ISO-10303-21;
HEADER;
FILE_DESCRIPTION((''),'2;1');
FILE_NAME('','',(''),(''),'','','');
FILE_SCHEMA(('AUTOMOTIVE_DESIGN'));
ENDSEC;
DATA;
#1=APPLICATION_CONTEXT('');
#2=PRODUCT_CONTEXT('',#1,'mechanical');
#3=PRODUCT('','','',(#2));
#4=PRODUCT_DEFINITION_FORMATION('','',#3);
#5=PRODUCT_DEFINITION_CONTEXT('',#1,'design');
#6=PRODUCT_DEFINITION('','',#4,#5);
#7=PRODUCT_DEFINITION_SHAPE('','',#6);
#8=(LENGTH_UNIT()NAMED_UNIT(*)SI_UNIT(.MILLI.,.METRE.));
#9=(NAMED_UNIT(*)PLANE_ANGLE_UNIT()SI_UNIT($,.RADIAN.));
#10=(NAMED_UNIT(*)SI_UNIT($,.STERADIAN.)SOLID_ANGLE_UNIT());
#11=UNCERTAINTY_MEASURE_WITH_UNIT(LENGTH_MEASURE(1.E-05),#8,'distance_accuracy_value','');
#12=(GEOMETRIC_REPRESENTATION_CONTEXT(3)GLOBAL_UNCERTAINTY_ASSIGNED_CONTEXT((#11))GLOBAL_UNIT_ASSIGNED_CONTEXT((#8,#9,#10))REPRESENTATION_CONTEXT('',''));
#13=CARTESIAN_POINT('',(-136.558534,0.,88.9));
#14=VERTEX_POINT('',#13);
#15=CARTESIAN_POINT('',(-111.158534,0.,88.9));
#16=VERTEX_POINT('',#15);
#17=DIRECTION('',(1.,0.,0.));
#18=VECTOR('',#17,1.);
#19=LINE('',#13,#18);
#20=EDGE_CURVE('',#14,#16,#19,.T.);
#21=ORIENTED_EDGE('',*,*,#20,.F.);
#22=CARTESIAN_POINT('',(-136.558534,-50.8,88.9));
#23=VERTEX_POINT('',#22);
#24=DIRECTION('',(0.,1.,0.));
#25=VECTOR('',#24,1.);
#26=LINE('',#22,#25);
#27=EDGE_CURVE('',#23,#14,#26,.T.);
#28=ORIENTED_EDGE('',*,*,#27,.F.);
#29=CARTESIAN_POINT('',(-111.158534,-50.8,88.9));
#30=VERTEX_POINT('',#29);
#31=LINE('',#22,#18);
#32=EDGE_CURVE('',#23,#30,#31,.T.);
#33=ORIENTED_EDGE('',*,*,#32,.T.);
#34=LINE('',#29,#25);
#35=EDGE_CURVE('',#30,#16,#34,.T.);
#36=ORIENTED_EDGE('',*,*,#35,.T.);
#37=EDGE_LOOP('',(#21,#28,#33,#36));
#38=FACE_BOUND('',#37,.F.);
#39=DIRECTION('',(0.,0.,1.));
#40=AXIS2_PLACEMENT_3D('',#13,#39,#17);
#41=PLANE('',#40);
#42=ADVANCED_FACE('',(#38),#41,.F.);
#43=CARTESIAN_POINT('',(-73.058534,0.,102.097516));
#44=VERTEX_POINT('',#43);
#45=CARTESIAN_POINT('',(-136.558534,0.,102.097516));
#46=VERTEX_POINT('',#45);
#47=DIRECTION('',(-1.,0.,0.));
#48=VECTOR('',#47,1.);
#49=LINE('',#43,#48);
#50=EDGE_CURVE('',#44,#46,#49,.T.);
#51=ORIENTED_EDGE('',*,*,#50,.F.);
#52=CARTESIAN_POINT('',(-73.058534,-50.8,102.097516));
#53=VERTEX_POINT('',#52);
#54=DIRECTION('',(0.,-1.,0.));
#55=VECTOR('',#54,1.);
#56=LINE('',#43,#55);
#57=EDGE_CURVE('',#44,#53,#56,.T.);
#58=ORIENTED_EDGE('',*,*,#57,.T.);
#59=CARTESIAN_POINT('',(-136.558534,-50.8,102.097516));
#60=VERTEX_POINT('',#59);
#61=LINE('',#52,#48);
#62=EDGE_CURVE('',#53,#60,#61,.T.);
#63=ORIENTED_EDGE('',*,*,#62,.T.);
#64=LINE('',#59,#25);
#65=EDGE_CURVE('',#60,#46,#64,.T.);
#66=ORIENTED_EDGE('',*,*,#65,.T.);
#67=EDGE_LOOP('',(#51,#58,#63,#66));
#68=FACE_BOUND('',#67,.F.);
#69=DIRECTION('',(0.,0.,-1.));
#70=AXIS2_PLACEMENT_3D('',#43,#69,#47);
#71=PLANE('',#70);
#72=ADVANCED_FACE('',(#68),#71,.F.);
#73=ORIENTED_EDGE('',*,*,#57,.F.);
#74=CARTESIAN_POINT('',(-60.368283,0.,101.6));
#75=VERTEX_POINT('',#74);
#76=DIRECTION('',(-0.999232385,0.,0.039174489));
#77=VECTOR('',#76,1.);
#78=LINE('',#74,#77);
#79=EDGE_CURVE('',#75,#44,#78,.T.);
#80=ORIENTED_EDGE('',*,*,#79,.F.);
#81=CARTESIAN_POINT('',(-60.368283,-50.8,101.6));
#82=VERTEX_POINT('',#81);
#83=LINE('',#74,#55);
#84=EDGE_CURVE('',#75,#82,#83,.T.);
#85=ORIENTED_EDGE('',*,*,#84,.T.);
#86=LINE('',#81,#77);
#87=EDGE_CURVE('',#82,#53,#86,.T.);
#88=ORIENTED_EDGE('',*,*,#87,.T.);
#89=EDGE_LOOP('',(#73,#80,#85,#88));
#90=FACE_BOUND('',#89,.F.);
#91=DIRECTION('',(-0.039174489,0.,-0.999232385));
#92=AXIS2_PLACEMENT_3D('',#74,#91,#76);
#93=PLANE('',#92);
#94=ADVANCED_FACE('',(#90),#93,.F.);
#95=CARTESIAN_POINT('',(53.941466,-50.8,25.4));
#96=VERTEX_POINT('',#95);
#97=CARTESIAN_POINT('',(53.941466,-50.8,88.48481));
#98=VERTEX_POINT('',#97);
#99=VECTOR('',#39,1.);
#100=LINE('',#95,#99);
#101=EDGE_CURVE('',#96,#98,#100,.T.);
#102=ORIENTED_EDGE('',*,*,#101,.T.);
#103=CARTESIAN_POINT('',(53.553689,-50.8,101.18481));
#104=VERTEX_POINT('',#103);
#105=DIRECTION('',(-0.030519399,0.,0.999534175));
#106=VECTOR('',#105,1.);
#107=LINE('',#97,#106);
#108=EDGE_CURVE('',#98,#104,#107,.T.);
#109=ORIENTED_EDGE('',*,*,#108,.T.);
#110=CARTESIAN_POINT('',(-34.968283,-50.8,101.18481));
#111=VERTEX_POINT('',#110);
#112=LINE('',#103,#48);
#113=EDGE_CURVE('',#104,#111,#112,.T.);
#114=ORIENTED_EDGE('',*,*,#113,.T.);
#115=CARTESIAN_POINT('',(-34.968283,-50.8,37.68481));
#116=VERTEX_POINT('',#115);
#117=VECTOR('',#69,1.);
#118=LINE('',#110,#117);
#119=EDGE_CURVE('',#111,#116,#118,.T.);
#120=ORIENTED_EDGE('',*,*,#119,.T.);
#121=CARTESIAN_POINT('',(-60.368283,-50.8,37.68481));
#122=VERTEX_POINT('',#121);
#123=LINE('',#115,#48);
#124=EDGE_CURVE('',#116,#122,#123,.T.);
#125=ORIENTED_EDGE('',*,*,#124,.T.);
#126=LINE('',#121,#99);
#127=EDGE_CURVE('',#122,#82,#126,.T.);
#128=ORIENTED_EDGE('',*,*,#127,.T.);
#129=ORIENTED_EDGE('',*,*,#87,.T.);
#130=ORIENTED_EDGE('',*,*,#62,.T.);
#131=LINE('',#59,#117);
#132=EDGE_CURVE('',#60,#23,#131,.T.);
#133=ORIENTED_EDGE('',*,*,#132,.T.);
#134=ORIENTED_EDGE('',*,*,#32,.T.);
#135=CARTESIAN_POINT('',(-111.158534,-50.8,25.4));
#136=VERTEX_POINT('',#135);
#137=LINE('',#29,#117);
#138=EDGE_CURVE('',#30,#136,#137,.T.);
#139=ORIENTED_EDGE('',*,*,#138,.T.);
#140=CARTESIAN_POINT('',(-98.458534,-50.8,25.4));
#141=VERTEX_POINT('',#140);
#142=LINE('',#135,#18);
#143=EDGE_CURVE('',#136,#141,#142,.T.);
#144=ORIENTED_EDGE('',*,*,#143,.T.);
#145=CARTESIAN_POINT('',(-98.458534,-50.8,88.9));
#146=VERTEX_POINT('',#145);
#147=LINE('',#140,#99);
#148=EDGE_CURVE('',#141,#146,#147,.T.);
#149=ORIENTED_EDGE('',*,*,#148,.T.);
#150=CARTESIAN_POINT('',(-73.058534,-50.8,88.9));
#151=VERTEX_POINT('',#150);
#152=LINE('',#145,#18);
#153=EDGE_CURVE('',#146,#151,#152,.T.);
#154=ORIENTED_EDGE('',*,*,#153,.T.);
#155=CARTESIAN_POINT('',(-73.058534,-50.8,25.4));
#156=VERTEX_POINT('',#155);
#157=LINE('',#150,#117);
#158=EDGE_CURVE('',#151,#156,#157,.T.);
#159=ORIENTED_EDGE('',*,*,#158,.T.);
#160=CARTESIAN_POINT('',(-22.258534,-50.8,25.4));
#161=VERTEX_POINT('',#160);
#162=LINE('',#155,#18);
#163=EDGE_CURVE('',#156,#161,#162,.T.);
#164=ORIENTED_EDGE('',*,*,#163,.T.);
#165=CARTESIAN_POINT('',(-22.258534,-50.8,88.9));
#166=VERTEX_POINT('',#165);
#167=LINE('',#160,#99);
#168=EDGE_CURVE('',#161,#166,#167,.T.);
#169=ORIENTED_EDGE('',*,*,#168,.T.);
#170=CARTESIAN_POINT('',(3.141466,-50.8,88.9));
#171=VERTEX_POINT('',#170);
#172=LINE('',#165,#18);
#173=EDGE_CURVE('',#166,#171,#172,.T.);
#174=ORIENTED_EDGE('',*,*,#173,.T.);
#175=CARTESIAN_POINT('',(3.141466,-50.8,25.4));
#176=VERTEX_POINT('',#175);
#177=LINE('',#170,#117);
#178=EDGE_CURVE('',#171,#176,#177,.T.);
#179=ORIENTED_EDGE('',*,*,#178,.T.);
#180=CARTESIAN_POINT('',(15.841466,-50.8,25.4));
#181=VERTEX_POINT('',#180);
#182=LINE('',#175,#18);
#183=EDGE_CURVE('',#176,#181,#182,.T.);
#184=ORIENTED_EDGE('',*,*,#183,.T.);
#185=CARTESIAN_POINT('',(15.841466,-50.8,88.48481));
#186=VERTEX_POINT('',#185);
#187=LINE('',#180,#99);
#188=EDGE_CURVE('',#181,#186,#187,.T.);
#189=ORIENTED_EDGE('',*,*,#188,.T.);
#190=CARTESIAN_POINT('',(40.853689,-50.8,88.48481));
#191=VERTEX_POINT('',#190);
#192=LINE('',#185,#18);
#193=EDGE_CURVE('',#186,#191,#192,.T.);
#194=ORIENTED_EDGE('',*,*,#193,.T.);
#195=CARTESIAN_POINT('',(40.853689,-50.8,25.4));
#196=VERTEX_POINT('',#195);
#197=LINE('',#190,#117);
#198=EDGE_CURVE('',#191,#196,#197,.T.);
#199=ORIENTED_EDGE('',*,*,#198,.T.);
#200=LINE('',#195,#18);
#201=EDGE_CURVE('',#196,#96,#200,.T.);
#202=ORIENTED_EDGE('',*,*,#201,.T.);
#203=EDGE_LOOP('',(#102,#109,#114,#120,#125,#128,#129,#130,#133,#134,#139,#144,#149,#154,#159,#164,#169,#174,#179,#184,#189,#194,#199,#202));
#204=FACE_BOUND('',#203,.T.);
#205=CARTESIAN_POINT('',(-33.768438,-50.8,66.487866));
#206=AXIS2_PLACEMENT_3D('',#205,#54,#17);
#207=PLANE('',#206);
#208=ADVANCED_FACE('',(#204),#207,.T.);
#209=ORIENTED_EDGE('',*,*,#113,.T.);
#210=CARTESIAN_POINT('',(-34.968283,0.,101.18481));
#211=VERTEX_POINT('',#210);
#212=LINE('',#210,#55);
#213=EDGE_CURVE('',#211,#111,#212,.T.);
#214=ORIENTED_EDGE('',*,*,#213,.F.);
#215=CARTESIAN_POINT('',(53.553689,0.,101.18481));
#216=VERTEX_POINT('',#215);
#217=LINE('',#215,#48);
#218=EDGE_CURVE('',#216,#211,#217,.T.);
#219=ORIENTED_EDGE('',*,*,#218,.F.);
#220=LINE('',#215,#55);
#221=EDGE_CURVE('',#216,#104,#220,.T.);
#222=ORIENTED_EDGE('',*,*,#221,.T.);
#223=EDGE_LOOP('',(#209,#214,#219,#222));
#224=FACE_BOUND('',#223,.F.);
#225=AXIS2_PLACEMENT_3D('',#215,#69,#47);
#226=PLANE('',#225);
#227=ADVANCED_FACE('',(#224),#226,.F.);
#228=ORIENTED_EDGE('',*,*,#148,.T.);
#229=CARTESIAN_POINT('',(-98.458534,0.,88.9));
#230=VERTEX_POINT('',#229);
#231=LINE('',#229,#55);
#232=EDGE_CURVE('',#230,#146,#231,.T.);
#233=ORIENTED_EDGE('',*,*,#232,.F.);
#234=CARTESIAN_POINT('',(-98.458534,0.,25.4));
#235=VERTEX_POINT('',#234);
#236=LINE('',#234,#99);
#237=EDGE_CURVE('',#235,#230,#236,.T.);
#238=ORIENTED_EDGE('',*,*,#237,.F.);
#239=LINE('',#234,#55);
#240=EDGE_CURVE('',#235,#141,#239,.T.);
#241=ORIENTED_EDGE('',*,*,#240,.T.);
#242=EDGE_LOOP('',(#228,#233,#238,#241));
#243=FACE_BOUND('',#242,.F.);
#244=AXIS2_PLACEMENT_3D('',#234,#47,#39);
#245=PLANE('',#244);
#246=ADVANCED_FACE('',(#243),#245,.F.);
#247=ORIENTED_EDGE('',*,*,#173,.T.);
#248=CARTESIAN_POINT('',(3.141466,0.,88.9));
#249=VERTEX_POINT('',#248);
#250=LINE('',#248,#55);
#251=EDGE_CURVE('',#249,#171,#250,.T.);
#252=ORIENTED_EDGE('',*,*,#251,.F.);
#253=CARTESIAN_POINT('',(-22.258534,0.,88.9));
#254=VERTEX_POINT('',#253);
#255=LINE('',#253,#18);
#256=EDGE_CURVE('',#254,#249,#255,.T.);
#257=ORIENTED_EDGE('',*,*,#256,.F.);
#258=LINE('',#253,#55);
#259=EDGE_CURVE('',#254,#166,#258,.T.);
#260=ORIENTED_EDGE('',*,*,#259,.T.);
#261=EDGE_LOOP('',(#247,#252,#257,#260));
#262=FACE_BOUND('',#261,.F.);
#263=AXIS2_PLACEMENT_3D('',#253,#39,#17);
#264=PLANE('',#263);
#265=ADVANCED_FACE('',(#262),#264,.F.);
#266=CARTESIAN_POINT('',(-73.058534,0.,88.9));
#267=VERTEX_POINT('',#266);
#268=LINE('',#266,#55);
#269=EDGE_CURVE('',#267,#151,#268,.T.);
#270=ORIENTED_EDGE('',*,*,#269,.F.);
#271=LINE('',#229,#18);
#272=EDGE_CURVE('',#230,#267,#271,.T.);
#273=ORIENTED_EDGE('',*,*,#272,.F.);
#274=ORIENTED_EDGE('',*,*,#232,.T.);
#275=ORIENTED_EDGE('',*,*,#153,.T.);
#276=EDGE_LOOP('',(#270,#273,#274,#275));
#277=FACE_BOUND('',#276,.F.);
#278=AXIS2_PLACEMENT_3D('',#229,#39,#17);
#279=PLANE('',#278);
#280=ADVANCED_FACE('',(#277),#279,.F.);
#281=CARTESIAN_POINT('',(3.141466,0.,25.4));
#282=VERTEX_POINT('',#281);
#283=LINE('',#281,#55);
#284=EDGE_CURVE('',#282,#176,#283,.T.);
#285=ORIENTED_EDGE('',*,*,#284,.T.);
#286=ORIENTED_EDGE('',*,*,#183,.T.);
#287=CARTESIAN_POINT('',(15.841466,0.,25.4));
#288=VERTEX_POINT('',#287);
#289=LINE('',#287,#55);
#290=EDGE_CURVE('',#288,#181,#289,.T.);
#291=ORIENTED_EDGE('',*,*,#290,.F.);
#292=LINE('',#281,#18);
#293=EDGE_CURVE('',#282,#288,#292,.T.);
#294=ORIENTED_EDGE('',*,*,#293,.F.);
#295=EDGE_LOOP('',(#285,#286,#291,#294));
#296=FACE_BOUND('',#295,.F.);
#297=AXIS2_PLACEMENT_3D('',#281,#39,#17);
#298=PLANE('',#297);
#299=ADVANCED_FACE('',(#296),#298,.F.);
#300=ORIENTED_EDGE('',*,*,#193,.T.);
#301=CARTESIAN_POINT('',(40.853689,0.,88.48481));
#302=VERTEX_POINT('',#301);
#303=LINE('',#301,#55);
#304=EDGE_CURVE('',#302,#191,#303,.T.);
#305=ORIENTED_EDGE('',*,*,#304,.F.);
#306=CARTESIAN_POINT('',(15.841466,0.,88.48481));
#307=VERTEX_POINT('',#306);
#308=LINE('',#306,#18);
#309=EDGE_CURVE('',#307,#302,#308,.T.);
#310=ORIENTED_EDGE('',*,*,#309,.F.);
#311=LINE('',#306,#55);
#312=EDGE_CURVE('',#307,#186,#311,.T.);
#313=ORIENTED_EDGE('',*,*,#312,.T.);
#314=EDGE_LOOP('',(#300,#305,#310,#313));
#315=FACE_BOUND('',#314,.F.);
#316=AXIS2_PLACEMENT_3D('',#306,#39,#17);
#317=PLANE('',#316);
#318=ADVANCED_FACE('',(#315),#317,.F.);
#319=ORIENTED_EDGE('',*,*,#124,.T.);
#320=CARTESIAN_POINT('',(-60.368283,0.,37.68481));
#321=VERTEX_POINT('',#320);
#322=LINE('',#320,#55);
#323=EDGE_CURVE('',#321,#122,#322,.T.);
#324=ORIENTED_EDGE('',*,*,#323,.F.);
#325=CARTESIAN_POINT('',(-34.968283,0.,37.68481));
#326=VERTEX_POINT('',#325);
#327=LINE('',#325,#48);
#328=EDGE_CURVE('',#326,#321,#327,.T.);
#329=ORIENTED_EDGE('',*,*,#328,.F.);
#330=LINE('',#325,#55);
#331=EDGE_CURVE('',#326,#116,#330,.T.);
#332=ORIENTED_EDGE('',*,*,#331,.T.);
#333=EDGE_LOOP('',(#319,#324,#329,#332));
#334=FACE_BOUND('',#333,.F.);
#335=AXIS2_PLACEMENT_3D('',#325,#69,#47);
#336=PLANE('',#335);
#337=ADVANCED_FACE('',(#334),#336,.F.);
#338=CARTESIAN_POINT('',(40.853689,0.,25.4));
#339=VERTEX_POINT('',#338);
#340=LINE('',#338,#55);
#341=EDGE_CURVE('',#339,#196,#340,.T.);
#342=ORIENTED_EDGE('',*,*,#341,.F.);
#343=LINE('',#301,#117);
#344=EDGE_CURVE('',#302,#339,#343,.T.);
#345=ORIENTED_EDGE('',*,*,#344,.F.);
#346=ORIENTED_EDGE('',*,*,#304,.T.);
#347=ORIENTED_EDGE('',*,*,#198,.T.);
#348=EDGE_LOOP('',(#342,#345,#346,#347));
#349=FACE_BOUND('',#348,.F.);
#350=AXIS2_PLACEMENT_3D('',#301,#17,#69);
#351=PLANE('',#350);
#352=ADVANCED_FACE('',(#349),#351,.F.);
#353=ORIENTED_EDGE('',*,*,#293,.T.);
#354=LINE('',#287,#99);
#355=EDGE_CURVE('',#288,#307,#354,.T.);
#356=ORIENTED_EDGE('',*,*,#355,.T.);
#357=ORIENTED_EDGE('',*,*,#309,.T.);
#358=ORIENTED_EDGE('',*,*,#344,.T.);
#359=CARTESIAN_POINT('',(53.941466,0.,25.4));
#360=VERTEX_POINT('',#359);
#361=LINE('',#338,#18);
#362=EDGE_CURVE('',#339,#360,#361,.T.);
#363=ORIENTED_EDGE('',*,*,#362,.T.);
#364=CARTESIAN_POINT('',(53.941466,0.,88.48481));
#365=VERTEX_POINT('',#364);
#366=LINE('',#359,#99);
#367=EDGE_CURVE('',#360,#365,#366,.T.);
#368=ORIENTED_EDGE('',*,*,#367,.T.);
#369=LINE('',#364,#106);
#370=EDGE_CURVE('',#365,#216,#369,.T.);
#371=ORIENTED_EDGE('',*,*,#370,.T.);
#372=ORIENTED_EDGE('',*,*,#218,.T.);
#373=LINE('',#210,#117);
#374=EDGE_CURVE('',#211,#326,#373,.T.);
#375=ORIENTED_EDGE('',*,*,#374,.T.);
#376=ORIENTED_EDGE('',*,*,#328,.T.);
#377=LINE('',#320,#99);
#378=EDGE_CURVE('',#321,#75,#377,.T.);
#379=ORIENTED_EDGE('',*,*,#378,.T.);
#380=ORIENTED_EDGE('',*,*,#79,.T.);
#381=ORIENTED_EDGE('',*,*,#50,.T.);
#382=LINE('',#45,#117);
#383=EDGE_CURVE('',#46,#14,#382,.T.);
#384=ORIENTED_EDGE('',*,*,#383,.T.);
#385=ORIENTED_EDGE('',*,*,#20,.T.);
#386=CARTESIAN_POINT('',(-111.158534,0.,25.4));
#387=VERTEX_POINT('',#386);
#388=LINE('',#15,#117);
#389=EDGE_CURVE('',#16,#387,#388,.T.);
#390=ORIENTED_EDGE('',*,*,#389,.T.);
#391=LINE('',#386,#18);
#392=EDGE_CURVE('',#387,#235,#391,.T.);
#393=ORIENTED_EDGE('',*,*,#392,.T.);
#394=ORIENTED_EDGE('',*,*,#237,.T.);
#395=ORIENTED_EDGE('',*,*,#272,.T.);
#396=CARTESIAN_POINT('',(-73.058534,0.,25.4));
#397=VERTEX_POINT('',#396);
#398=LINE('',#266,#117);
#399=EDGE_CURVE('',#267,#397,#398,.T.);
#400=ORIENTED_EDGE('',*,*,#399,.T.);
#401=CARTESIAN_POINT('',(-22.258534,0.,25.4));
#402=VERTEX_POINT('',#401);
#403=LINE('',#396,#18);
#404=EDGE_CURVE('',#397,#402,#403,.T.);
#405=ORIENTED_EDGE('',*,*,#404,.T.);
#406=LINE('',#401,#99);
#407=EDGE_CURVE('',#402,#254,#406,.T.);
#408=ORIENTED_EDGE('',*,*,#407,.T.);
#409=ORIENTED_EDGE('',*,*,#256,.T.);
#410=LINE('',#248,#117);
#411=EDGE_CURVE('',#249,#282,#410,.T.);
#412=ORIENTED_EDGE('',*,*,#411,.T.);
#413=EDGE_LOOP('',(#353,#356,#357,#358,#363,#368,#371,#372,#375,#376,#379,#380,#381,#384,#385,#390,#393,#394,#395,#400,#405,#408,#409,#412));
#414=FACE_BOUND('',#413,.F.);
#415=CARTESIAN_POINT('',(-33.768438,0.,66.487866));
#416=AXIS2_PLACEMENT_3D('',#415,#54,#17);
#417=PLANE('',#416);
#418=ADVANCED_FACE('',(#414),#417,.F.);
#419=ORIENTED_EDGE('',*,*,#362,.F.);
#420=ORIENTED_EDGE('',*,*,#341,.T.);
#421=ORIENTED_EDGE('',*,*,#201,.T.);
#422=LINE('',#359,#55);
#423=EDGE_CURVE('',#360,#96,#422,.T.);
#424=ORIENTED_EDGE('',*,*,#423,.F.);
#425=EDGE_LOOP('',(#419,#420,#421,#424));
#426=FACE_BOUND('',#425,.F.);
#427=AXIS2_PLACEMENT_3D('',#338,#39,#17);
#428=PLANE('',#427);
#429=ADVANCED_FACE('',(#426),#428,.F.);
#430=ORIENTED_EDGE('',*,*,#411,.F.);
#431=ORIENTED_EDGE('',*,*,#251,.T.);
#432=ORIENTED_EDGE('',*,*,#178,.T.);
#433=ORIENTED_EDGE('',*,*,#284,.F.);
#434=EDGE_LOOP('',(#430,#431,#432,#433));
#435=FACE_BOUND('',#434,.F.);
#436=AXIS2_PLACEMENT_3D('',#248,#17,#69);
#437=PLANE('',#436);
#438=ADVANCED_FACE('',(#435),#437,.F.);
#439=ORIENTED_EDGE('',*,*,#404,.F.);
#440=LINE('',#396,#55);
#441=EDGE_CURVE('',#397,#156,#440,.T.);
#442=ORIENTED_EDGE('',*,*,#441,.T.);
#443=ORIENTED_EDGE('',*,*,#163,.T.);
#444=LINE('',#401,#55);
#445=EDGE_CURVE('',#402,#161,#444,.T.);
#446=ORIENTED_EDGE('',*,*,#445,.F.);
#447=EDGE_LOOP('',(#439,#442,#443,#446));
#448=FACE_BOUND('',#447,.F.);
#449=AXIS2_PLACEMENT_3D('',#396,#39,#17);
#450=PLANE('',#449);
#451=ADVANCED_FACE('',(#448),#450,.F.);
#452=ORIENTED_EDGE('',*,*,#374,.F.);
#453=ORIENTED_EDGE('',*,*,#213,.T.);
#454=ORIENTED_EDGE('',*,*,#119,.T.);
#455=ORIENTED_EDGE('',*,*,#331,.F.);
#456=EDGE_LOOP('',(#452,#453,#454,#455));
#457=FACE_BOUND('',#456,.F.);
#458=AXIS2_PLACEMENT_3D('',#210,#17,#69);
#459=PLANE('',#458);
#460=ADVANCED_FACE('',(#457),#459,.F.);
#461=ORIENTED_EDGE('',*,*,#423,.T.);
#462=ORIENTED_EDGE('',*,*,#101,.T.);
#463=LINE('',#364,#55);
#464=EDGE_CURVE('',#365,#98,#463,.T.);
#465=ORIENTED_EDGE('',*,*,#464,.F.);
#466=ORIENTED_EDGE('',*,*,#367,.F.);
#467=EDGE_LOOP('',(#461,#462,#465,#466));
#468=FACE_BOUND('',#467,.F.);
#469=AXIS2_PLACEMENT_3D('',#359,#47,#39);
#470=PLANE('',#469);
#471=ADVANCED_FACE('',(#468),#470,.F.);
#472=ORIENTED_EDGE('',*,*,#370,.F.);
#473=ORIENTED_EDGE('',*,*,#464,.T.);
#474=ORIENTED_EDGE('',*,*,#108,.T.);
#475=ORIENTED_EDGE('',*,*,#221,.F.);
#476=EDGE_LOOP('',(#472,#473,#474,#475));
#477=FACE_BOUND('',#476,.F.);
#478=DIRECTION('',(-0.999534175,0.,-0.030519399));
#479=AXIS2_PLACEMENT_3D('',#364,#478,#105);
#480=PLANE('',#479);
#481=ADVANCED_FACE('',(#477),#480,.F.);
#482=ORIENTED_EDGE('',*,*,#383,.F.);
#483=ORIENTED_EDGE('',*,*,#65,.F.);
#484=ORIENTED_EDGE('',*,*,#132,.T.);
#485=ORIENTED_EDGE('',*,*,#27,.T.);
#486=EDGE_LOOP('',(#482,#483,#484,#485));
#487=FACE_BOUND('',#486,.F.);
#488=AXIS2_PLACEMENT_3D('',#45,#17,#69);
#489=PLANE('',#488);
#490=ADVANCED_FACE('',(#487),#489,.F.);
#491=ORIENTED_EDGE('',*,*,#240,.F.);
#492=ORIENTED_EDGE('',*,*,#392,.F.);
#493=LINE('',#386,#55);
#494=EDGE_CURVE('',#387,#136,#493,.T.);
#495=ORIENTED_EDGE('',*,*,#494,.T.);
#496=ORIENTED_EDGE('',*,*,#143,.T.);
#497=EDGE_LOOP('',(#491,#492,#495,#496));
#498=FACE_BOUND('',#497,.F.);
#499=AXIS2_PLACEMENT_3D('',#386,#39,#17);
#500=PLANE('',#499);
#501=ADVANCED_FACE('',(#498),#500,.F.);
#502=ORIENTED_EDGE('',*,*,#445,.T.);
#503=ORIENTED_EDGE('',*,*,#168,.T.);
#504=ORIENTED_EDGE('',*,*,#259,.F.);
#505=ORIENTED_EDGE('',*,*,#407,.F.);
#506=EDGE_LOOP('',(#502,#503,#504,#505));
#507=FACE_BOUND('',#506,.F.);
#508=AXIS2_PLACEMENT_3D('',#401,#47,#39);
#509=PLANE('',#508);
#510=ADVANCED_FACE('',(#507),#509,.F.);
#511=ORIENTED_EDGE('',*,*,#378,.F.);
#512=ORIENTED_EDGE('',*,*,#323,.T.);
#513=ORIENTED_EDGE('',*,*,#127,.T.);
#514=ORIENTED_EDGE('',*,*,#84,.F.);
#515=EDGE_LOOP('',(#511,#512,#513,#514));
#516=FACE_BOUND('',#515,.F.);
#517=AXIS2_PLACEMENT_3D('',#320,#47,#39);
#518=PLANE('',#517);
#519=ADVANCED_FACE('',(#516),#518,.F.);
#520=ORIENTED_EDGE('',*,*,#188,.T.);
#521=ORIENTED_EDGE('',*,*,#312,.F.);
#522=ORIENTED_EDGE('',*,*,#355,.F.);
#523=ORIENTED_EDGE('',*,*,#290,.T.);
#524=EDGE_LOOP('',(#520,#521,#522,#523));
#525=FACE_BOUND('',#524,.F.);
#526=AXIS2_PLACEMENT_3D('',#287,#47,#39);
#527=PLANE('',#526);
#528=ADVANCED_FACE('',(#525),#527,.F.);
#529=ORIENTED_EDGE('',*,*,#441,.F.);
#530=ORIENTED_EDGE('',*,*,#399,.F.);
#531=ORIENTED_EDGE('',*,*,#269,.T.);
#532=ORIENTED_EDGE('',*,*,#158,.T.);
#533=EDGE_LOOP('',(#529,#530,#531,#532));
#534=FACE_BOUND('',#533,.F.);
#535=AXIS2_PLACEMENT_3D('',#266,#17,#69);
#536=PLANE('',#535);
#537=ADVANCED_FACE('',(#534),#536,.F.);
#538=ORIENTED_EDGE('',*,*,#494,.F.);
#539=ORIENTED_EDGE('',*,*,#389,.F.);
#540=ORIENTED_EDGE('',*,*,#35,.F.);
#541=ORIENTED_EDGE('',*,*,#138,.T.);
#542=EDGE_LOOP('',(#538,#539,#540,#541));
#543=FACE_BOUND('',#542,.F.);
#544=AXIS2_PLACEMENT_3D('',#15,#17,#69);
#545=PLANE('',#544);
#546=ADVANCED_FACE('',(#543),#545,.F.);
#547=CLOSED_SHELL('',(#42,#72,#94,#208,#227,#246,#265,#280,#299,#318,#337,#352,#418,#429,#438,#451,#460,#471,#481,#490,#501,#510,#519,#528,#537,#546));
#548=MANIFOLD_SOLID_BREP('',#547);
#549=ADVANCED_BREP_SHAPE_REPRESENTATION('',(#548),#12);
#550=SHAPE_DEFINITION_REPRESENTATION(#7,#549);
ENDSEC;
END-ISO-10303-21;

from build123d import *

# Parameters (mm, degrees)
F1_DEPTH = 25.4
F2_DEPTH = 50.8


with BuildPart() as f1:
    # F0 (on Front) → F1 (new body)
    with BuildSketch(Plane.XZ):
        Polygon((-111.158534, 88.9), (-111.158534, 25.4), (-98.458534, 25.4), (-98.458534, 88.9), (-73.058534, 88.9), (-73.058534, 25.4), (-60.368283, 25.4), (-22.258534, 25.4), (-22.258534, 88.9), (3.141466, 88.9), (3.141466, 25.4), (15.841466, 25.4), (15.841466, 88.48481), (40.853689, 88.48481), (40.853689, 25.4), (53.941466, 25.4), (53.941466, 88.48481), (53.553689, 101.18481), (40.853689, 101.18481), (15.841466, 101.18481), (3.141466, 101.18481), (-22.258534, 101.18481), (-34.968283, 101.18481), (-34.968283, 37.68481), (-60.368283, 37.68481), (-60.368283, 101.6), (-73.058534, 102.097516), (-136.558534, 102.097516), (-136.558534, 88.9), align=None)
    extrude(amount=F1_DEPTH)

    # F0 (on Front) → F2 (join)
    with BuildSketch(Plane.XZ):
        Polygon((-111.158534, 88.9), (-111.158534, 25.4), (-98.458534, 25.4), (-98.458534, 88.9), (-73.058534, 88.9), (-73.058534, 25.4), (-60.368283, 25.4), (-22.258534, 25.4), (-22.258534, 88.9), (3.141466, 88.9), (3.141466, 25.4), (15.841466, 25.4), (15.841466, 88.48481), (40.853689, 88.48481), (40.853689, 25.4), (53.941466, 25.4), (53.941466, 88.48481), (53.553689, 101.18481), (40.853689, 101.18481), (15.841466, 101.18481), (3.141466, 101.18481), (-22.258534, 101.18481), (-34.968283, 101.18481), (-34.968283, 37.68481), (-60.368283, 37.68481), (-60.368283, 101.6), (-73.058534, 102.097516), (-136.558534, 102.097516), (-136.558534, 88.9), align=None)
    extrude(amount=F2_DEPTH)


solid = f1.part
